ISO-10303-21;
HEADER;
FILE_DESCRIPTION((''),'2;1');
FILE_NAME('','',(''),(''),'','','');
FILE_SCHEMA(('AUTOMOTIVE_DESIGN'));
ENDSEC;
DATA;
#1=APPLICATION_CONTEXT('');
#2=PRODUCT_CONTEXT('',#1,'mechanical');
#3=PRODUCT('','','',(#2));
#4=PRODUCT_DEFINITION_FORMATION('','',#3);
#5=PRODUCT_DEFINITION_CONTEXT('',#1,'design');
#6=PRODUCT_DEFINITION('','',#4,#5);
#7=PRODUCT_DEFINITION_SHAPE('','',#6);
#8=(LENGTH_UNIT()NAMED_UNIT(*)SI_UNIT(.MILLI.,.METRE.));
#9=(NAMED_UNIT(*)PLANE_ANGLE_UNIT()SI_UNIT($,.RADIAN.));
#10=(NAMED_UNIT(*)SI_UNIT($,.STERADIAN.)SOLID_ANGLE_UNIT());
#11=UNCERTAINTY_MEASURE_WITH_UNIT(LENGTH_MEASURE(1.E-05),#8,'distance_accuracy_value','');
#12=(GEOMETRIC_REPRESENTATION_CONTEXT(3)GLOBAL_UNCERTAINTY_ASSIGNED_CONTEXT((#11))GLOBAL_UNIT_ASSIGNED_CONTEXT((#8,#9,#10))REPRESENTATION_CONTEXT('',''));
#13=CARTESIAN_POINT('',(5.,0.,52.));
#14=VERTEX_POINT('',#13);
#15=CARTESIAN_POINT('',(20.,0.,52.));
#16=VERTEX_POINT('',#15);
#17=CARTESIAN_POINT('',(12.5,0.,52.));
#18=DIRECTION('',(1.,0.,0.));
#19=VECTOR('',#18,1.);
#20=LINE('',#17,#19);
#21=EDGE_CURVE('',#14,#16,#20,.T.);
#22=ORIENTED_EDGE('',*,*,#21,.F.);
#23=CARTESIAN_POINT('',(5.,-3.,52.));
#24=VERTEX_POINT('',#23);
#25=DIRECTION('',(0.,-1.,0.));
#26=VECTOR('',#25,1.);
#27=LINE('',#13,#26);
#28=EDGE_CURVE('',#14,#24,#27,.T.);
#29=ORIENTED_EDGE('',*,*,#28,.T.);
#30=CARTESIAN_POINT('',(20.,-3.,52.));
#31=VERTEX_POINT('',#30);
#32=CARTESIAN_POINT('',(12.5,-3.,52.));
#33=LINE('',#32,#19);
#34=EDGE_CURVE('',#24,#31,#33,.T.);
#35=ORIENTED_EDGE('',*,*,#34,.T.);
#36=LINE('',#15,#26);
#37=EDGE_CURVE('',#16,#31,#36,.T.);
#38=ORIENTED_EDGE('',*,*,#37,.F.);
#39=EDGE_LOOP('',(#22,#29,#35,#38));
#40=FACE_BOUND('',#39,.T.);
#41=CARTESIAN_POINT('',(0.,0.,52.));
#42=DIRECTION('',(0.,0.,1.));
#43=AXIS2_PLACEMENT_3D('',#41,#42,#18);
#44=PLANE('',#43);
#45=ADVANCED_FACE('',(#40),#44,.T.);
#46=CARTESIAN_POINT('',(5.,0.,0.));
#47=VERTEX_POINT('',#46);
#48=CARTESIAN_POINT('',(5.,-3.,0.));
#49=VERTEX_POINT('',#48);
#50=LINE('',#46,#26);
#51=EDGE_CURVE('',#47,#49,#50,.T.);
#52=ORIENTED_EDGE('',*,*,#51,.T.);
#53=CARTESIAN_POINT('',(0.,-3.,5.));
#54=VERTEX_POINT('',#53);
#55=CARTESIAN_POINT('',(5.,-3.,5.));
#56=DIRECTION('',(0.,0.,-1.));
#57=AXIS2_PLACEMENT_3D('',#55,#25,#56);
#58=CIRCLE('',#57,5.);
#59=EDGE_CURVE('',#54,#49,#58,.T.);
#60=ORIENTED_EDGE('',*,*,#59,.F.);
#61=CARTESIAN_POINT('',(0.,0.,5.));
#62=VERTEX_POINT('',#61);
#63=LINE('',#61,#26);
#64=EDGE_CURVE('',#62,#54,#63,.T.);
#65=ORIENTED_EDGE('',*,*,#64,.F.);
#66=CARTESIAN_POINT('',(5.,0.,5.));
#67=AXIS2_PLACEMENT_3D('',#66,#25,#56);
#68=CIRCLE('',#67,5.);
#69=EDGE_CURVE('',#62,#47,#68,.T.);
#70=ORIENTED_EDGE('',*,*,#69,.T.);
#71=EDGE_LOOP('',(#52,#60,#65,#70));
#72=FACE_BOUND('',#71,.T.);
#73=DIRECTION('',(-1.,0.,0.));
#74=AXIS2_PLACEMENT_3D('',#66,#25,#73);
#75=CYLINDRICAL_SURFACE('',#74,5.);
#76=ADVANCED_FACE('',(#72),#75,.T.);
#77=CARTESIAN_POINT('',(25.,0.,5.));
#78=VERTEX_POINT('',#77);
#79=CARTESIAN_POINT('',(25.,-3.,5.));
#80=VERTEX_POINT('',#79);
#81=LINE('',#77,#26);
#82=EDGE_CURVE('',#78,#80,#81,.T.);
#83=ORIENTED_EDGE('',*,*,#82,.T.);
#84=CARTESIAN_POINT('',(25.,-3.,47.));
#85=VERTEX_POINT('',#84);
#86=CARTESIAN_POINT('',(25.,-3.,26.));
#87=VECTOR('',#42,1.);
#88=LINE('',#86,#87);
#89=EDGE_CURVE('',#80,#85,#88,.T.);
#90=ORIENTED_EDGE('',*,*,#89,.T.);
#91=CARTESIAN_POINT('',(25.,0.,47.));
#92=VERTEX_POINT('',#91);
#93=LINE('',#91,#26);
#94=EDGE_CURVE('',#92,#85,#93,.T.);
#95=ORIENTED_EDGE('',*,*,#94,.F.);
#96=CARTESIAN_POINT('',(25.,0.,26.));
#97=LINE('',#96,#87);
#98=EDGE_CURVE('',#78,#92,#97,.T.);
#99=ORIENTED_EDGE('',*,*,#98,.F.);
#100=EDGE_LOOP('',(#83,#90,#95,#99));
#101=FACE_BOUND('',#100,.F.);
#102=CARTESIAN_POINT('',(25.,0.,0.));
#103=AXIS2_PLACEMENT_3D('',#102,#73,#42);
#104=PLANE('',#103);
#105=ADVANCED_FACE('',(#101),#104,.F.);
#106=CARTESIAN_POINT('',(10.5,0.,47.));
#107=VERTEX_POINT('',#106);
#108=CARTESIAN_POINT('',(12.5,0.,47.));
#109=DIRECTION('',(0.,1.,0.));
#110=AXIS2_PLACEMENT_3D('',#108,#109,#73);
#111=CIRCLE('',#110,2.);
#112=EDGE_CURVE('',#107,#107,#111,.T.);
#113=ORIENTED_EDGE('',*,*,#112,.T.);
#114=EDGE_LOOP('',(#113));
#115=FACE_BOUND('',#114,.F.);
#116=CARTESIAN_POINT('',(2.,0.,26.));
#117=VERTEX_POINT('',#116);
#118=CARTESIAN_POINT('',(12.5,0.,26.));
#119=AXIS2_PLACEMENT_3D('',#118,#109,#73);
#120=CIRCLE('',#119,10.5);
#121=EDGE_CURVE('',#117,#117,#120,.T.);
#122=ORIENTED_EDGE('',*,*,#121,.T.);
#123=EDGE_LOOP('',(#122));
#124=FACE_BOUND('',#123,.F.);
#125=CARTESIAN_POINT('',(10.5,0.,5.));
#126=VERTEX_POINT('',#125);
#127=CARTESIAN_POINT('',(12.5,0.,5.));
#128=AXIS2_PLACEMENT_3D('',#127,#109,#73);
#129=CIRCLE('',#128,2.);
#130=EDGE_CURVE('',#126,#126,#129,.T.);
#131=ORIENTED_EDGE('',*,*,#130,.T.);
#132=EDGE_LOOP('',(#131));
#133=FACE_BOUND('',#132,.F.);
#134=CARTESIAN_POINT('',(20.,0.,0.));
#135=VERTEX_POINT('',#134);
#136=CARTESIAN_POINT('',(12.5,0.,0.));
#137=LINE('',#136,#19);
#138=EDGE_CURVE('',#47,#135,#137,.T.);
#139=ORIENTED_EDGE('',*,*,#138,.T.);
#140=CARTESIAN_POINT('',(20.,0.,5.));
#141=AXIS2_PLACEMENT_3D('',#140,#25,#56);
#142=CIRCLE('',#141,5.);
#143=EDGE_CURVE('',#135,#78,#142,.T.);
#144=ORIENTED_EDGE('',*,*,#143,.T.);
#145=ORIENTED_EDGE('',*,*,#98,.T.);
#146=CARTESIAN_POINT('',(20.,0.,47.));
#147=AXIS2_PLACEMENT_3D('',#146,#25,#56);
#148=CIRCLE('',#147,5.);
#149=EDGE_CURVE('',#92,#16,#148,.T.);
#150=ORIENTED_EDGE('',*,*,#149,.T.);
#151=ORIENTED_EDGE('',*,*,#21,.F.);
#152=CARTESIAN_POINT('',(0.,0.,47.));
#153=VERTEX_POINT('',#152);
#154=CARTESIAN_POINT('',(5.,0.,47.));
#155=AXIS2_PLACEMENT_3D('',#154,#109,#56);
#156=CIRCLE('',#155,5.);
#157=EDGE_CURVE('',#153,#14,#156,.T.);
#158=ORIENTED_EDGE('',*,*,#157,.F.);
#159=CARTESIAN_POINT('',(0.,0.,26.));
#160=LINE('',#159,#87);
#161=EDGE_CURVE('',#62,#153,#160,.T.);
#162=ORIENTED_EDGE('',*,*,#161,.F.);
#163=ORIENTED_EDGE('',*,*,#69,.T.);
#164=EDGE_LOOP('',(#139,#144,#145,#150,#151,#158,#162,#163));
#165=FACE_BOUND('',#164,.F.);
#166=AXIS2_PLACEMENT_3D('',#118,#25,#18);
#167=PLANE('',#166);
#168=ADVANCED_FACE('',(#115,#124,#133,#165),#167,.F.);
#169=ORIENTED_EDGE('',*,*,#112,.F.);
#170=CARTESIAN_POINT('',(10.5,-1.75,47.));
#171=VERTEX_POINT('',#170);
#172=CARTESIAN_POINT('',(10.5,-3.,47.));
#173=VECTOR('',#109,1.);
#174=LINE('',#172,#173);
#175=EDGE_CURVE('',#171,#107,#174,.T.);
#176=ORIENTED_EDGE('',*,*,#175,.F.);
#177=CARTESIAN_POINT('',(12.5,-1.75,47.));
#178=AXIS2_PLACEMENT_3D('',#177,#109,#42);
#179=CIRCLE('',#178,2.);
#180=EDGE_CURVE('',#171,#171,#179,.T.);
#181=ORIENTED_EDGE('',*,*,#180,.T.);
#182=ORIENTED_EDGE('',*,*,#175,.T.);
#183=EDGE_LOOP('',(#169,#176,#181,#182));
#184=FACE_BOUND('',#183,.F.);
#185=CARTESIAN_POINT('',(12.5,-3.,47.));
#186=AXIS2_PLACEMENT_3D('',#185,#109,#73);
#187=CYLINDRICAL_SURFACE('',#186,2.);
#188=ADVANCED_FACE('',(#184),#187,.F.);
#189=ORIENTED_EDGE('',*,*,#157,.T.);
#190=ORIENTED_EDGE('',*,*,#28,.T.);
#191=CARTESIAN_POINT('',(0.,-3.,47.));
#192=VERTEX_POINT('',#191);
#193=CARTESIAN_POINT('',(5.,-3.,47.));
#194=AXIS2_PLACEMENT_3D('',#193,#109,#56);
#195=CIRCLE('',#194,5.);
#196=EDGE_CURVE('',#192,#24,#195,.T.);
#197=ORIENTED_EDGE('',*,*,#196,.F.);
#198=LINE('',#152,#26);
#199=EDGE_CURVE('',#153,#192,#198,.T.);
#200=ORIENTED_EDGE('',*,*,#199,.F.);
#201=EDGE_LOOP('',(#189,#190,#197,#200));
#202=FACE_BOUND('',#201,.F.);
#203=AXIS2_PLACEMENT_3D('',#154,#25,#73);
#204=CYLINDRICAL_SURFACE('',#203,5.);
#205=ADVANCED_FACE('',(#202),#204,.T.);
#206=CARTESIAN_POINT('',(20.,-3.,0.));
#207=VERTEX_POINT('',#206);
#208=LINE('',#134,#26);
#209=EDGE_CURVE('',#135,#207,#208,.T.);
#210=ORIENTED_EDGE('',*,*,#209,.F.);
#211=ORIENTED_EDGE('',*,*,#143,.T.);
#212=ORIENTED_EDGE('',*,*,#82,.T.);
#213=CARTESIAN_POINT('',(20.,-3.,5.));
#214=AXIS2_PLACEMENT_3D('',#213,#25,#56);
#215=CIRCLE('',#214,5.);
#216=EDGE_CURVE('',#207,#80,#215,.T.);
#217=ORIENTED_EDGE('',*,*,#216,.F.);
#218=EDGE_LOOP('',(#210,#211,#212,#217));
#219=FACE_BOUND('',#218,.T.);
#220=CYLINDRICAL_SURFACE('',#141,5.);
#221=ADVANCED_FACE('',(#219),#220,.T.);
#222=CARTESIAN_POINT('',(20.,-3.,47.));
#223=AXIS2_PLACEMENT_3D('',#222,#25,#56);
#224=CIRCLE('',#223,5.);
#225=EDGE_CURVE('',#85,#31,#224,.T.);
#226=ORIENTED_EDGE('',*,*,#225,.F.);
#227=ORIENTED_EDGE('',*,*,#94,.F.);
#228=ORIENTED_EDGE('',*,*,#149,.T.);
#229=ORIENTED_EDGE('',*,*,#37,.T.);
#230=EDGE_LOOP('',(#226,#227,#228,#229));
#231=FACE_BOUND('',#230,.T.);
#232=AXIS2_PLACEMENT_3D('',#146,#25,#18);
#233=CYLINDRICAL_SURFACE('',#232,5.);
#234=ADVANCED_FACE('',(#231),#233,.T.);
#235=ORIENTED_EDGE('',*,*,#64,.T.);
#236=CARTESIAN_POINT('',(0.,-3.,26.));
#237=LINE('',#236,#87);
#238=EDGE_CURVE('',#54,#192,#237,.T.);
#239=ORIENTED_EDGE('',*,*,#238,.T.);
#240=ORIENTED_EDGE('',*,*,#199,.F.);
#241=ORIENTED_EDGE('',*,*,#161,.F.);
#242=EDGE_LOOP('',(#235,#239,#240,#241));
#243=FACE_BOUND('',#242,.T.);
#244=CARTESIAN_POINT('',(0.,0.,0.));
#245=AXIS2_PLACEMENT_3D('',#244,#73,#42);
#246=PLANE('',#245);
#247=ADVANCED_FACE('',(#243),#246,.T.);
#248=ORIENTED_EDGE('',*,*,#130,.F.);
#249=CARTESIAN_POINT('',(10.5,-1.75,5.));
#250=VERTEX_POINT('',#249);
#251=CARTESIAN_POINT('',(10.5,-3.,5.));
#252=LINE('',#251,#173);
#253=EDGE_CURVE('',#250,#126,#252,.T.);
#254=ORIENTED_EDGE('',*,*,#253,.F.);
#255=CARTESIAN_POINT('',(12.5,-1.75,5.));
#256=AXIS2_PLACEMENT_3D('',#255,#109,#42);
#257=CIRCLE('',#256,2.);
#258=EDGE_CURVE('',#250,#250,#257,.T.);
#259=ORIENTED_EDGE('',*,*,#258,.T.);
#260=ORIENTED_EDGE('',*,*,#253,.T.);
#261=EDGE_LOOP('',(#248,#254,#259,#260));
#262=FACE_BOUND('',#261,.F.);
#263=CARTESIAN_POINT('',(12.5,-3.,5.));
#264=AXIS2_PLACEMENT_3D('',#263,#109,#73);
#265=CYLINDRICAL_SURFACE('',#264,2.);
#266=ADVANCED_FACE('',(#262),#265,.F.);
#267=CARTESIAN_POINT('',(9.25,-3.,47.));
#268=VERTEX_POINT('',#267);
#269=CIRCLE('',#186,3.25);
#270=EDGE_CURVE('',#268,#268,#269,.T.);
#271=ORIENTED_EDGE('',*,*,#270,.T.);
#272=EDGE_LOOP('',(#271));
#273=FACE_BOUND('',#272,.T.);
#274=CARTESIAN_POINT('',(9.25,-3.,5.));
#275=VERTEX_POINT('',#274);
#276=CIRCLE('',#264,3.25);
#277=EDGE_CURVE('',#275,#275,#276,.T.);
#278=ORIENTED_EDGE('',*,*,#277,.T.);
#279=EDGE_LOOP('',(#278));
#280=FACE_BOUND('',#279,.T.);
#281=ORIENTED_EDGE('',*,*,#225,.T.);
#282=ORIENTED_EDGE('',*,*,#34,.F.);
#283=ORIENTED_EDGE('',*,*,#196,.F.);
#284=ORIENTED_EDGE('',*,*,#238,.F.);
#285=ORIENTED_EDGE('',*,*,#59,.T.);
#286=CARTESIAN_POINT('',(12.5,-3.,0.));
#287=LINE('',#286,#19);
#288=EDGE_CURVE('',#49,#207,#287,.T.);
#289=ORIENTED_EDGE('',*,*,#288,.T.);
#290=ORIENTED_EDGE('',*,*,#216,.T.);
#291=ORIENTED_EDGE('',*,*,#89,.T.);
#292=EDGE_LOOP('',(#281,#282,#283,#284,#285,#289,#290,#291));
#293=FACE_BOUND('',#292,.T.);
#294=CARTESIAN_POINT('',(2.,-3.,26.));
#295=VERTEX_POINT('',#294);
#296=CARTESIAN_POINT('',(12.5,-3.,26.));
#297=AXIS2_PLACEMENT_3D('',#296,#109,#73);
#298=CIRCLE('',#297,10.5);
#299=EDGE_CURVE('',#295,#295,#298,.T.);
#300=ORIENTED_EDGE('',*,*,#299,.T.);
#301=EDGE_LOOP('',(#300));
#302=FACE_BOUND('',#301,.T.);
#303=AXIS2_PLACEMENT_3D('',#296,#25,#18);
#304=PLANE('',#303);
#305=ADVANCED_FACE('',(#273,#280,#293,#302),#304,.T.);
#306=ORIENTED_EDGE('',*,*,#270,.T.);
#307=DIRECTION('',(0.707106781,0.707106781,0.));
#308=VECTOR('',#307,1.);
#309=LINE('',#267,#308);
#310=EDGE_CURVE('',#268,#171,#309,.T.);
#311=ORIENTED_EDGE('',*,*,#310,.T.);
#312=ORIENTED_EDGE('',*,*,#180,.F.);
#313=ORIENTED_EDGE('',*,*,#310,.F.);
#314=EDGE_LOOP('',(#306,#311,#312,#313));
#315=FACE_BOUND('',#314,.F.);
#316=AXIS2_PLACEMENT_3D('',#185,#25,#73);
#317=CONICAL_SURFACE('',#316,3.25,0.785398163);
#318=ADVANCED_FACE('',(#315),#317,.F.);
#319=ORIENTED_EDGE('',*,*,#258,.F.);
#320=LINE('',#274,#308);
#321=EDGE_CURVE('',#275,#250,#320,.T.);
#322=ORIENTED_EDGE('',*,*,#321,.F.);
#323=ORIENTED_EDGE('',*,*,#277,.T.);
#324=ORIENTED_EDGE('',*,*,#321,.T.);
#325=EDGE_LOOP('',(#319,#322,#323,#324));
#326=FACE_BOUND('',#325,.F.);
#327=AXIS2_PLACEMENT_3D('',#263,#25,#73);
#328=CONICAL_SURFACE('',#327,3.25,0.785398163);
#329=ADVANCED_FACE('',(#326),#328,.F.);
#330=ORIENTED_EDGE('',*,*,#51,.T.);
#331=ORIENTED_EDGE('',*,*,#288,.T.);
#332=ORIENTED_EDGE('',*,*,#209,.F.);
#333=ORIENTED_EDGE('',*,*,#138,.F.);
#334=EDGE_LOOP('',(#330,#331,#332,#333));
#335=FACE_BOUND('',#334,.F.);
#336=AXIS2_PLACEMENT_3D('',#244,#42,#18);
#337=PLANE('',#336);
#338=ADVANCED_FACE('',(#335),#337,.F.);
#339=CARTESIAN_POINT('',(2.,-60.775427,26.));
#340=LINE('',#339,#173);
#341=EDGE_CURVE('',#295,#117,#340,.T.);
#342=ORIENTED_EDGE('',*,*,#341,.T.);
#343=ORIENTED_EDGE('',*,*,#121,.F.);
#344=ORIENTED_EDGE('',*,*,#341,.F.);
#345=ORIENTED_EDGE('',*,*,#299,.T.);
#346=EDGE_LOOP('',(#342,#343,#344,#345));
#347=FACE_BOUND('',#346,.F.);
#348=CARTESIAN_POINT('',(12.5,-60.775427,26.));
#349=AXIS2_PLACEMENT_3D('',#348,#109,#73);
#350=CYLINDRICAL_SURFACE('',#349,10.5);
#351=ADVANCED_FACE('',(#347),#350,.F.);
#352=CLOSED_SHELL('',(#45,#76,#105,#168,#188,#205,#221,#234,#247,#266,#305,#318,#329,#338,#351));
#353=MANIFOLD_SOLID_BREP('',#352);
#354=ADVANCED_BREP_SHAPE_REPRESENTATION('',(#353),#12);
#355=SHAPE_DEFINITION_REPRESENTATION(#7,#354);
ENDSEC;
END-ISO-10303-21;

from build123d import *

# Parameters (mm, degrees)
F0_W           = 25
F0_H           = 52
F1_DEPTH       = 3
F2_R           = 5
F4_D           = 4
F4_CSINK_D     = 6.5
F4_CSINK_ANGLE = 90
F5_D           = 21


with BuildPart() as f1:
    # F0 (on Front) → F1 (new body)
    with BuildSketch(Plane.XZ):
        with Locations((12.5, 26)):
            Rectangle(F0_W, F0_H)
    extrude(amount=F1_DEPTH)

    # F2
    f2_edges = [f1.edges().sort_by_distance(p)[0] for p in [
        (25, -1.5, 52),
        (0, -1.5, 52),
        (0, -1.5, 0),
        (25, -1.5, 0),
    ]]
    fillet(f2_edges, radius=F2_R)

    # F4 (through all)
    with Locations(Plane.XZ.offset(3)):
        with Locations((12.5, 47), (12.5, 5)):
            CounterSinkHole(F4_D / 2, F4_CSINK_D / 2, counter_sink_angle=F4_CSINK_ANGLE)

    # F5 (through all)
    with Locations(Plane.XZ.offset(3)):
        with Locations((12.5, 26)):
            Hole(F5_D / 2)


solid = f1.part
